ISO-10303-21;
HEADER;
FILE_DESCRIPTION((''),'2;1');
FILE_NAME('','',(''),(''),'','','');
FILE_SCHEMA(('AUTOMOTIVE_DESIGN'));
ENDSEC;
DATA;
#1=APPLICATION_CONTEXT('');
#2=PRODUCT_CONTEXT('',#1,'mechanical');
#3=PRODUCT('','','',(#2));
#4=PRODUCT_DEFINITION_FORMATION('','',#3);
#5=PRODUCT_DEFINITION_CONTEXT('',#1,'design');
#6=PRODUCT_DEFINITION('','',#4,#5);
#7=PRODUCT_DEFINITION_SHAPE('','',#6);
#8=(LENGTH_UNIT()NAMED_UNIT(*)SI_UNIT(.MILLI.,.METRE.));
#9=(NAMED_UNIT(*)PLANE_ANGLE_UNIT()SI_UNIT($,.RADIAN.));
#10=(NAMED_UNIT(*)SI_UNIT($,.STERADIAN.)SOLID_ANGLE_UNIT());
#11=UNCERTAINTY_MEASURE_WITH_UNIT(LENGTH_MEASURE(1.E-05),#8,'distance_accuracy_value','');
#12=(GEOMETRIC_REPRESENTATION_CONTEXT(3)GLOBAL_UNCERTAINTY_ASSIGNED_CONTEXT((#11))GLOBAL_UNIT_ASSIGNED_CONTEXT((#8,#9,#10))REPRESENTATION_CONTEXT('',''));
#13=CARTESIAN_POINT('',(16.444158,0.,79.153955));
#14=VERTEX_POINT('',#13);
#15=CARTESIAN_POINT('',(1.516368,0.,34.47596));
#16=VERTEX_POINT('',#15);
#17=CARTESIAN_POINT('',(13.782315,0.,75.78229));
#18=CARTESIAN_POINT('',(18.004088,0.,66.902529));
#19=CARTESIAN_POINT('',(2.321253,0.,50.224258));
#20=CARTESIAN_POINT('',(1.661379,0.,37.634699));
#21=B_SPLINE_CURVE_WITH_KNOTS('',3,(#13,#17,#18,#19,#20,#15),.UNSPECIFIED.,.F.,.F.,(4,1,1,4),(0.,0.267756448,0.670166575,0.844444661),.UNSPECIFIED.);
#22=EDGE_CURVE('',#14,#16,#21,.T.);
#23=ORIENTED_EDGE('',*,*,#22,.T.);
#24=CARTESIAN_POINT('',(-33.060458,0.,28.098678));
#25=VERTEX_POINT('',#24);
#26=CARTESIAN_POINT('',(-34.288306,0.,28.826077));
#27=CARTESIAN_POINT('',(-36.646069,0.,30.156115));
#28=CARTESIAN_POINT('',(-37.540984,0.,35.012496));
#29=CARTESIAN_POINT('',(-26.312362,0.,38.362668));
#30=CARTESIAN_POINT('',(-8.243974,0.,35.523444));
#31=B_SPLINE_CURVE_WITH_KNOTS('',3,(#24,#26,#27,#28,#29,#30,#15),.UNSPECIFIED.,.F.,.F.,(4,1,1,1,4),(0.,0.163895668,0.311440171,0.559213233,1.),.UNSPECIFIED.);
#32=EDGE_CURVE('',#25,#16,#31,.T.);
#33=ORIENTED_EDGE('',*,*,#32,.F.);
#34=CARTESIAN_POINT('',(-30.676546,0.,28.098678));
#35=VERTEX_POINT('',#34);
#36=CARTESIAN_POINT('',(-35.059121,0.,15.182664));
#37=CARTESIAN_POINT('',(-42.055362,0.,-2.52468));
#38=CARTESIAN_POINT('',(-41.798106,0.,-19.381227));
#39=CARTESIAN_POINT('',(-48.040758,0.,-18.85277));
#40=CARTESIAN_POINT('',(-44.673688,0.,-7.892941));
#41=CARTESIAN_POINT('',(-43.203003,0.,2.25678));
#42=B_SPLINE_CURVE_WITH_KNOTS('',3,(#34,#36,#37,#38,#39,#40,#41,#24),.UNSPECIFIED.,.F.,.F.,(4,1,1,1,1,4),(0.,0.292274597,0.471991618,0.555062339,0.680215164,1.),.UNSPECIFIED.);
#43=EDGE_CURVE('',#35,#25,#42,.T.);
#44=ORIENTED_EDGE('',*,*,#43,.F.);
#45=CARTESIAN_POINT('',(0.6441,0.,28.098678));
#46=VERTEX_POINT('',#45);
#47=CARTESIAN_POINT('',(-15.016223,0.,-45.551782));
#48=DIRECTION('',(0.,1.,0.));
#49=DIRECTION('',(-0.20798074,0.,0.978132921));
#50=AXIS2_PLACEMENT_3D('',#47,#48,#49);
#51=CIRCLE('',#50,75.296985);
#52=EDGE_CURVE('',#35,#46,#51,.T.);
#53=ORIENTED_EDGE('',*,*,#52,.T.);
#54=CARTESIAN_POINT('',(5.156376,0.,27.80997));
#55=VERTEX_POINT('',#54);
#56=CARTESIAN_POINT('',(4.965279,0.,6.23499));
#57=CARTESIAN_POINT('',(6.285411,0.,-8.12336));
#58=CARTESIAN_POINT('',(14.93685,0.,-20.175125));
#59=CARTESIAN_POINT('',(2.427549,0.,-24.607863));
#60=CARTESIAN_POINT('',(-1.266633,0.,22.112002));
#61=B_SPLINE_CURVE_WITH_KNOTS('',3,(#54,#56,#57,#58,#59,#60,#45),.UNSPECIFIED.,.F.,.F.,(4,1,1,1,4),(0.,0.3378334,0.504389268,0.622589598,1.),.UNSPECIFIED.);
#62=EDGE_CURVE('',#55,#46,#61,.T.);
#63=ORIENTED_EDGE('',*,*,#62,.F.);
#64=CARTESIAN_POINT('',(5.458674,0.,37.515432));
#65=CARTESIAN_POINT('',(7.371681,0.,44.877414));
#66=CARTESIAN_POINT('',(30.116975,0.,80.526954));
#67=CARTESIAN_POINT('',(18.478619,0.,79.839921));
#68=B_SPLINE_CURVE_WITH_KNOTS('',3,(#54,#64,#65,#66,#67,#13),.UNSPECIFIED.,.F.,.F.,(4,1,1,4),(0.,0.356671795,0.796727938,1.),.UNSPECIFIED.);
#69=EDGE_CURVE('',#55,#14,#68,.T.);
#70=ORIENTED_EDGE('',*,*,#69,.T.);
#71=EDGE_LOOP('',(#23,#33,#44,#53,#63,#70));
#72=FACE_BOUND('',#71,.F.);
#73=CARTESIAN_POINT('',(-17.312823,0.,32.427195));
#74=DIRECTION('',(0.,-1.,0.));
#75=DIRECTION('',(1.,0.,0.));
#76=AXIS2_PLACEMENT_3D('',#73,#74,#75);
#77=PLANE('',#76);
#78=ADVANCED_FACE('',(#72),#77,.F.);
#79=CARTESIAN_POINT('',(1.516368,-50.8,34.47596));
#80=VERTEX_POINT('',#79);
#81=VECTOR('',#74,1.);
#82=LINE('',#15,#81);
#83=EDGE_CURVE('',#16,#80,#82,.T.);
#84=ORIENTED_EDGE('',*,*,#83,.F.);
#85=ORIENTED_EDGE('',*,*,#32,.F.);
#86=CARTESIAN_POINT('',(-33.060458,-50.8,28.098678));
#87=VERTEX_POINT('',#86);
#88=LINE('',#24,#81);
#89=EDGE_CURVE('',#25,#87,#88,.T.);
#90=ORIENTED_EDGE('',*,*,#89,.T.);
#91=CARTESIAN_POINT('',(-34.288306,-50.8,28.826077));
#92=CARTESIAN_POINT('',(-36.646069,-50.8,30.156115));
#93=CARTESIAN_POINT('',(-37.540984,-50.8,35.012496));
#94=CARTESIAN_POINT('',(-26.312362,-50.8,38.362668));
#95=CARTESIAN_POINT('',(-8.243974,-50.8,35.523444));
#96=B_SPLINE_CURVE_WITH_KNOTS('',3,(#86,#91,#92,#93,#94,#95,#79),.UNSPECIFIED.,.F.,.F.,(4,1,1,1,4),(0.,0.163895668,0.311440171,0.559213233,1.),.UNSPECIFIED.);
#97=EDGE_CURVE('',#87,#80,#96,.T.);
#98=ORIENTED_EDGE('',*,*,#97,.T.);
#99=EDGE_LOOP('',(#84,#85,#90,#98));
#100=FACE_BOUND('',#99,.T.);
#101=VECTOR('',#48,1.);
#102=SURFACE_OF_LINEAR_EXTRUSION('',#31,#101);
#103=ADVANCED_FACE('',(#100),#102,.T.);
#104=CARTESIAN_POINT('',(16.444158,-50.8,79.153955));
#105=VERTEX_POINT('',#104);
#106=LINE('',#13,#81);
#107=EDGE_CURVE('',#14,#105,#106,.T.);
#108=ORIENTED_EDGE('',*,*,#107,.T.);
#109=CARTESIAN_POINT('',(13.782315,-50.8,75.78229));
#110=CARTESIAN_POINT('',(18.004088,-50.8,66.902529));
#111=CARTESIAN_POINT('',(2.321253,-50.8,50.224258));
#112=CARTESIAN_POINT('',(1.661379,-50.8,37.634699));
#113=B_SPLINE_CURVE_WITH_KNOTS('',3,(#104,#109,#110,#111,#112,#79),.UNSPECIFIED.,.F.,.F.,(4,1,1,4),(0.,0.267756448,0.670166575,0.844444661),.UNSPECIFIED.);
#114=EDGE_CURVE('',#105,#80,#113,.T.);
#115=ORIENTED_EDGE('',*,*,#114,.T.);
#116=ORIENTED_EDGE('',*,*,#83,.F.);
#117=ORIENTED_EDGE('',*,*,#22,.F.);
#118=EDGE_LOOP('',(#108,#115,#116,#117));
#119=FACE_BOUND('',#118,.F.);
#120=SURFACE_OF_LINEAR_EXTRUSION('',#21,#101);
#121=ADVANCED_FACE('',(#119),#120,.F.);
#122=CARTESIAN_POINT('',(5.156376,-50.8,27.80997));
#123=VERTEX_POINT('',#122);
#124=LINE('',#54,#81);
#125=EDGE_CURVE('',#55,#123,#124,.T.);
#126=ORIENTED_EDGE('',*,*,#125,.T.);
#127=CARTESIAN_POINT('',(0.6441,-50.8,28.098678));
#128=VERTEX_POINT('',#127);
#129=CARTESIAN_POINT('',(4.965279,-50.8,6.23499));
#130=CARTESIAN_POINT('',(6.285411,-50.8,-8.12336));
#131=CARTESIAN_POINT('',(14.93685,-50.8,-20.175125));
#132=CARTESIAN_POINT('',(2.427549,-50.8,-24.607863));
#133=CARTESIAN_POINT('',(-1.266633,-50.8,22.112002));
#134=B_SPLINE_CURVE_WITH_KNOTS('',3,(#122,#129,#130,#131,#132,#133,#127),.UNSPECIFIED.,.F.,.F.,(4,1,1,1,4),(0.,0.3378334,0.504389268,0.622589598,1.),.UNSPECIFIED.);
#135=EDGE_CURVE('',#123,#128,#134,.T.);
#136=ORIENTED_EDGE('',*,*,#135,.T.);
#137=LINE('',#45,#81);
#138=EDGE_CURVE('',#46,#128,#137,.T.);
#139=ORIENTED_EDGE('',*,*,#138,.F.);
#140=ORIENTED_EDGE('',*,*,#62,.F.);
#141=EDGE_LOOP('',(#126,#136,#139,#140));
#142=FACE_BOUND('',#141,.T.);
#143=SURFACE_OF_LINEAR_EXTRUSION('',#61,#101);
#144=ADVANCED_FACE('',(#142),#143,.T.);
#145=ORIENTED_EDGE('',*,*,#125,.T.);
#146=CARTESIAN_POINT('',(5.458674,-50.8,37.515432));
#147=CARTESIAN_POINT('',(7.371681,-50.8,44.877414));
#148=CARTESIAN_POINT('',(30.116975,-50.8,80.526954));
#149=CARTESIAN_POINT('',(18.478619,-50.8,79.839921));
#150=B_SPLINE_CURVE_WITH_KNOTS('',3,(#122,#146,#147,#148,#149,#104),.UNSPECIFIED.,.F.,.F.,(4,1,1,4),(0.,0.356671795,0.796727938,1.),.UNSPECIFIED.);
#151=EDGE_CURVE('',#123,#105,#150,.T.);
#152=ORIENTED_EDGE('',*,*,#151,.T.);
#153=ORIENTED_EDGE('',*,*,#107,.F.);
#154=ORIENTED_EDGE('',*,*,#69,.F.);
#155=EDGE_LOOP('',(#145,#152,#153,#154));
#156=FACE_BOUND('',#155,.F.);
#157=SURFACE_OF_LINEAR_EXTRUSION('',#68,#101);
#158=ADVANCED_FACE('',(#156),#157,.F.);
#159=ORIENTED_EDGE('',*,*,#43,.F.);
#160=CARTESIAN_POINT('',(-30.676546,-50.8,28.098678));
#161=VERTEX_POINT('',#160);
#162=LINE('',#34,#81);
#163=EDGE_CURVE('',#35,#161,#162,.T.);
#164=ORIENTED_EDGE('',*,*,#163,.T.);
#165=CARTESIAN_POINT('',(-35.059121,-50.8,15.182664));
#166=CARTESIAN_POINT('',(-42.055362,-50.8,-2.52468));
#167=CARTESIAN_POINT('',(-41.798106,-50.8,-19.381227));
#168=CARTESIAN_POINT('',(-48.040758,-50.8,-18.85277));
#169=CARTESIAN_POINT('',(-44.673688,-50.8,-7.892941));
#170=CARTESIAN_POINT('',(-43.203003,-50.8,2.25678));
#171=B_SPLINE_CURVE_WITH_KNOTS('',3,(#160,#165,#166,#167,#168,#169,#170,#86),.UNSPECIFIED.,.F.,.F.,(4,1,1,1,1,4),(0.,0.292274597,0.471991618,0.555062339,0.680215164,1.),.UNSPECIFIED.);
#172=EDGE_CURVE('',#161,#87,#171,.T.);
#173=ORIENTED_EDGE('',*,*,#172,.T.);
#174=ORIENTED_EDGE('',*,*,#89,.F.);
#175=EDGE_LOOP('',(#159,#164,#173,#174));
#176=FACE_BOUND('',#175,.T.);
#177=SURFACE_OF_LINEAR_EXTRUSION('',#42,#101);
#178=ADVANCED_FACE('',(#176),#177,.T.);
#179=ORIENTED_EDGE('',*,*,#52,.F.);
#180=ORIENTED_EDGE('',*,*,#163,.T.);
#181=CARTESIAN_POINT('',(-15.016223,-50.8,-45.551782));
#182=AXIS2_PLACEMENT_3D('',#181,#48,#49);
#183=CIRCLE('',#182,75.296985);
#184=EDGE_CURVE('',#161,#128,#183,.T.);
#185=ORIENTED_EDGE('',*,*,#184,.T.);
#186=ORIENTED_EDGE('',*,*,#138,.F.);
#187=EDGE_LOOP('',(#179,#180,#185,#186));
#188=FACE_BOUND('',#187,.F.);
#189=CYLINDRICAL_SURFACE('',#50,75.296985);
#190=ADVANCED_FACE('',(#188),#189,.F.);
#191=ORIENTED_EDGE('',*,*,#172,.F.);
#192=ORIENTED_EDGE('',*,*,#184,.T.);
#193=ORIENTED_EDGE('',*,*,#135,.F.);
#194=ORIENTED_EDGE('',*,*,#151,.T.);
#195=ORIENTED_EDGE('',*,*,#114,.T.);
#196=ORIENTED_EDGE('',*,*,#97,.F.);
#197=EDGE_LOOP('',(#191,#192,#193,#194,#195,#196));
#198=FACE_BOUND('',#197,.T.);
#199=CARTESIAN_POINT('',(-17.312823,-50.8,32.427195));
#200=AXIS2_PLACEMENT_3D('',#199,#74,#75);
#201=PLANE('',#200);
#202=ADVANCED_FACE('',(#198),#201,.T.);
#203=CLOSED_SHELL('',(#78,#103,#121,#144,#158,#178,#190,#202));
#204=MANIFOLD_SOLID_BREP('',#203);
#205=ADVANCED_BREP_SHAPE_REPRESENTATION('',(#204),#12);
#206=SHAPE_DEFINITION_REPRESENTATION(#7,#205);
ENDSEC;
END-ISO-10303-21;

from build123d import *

# Parameters (mm, degrees)
F1_DEPTH = 50.8


with BuildPart() as f1:
    # F0 (on Front) → F1 (new body)
    with BuildSketch(Plane.XZ):
        with BuildLine():
            ThreePointArc((-30.6765455753, 28.0986782163), (-15.0162228965, 29.7452033137), (0.6440997822, 28.0986782163))
            add(Edge.make_bspline(
                [(1.5163676601, 34.4759604075), (1.3869349369, 31.6565663825), (1.3008462887, 29.3517405427), (0.6440997822, 28.0986782163)],
                knots=[0.8444446613, 0.8444446613, 0.8444446613, 0.8444446613, 1, 1, 1, 1], degree=3))
            add(Edge.make_bspline(
                [(-33.0604575574, 28.0986782163), (-34.2883055715, 28.8260766756), (-36.6460688131, 30.1561152276), (-37.5409835416, 35.0124955383), (-26.312362271, 38.3626680355), (-8.2439742982, 35.5234444141), (1.5163676601, 34.4759604075)],
                knots=[0, 0, 0, 0, 0.1638956679, 0.3114401707, 0.5592132333, 1, 1, 1, 1], degree=3))
            Line((-33.0604575574, 28.0986782163), (-30.6765455753, 28.0986782163))
        make_face()
        with BuildLine():
            Line((0.6440997822, 28.0986782163), (5.1563763991, 27.8099700809))
            add(Edge.make_bspline(
                [(5.1563763991, 27.8099700809), (5.4586743936, 37.5154316425), (7.3716808113, 44.8774137635), (30.1169750366, 80.5269535521), (18.4786193916, 79.8399214902), (16.444157809, 79.1539549828)],
                knots=[0, 0, 0, 0, 0.3566717951, 0.7967279382, 1, 1, 1, 1], degree=3))
            add(Edge.make_bspline(
                [(16.444157809, 79.1539549828), (13.7823147788, 75.7822904402), (18.0040875413, 66.9025286791), (2.3212527207, 50.2242581268), (1.6613789949, 37.6346986361), (1.5163676601, 34.4759604075)],
                knots=[0, 0, 0, 0, 0.267756448, 0.670166575, 0.8444446613, 0.8444446613, 0.8444446613, 0.8444446613], degree=3))
            add(Edge.make_bspline(
                [(1.5163676601, 34.4759604075), (1.3869349369, 31.6565663825), (1.3008462887, 29.3517405427), (0.6440997822, 28.0986782163)],
                knots=[0.8444446613, 0.8444446613, 0.8444446613, 0.8444446613, 1, 1, 1, 1], degree=3))
        make_face()
        with BuildLine():
            add(Edge.make_bspline(
                [(5.1563763991, 27.8099700809), (4.965278858, 6.2349902485), (6.2854105521, -8.1233598721), (14.9368495192, -20.17512535), (2.4275486283, -24.6078630444), (-1.2666333774, 22.1120019175), (0.6440997822, 28.0986782163)],
                knots=[0, 0, 0, 0, 0.3378333996, 0.5043892678, 0.6225895984, 1, 1, 1, 1], degree=3))
            Line((5.1563763991, 27.8099700809), (0.6440997822, 28.0986782163))
        make_face()
        with BuildLine():
            add(Edge.make_bspline(
                [(-30.6765455753, 28.0986782163), (-35.0591212267, 15.1826643879), (-42.0553619518, -2.5246799811), (-41.7981058489, -19.3812266906), (-48.0407575609, -18.8527696176), (-44.6736883652, -7.8929412217), (-43.2030029314, 2.2567799234), (-33.0604575574, 28.0986782163)],
                knots=[0, 0, 0, 0, 0.2922745969, 0.4719916178, 0.5550623387, 0.6802151645, 1, 1, 1, 1], degree=3))
            Line((-30.6765455753, 28.0986782163), (-33.0604575574, 28.0986782163))
        make_face()
    extrude(amount=F1_DEPTH)


solid = f1.part
